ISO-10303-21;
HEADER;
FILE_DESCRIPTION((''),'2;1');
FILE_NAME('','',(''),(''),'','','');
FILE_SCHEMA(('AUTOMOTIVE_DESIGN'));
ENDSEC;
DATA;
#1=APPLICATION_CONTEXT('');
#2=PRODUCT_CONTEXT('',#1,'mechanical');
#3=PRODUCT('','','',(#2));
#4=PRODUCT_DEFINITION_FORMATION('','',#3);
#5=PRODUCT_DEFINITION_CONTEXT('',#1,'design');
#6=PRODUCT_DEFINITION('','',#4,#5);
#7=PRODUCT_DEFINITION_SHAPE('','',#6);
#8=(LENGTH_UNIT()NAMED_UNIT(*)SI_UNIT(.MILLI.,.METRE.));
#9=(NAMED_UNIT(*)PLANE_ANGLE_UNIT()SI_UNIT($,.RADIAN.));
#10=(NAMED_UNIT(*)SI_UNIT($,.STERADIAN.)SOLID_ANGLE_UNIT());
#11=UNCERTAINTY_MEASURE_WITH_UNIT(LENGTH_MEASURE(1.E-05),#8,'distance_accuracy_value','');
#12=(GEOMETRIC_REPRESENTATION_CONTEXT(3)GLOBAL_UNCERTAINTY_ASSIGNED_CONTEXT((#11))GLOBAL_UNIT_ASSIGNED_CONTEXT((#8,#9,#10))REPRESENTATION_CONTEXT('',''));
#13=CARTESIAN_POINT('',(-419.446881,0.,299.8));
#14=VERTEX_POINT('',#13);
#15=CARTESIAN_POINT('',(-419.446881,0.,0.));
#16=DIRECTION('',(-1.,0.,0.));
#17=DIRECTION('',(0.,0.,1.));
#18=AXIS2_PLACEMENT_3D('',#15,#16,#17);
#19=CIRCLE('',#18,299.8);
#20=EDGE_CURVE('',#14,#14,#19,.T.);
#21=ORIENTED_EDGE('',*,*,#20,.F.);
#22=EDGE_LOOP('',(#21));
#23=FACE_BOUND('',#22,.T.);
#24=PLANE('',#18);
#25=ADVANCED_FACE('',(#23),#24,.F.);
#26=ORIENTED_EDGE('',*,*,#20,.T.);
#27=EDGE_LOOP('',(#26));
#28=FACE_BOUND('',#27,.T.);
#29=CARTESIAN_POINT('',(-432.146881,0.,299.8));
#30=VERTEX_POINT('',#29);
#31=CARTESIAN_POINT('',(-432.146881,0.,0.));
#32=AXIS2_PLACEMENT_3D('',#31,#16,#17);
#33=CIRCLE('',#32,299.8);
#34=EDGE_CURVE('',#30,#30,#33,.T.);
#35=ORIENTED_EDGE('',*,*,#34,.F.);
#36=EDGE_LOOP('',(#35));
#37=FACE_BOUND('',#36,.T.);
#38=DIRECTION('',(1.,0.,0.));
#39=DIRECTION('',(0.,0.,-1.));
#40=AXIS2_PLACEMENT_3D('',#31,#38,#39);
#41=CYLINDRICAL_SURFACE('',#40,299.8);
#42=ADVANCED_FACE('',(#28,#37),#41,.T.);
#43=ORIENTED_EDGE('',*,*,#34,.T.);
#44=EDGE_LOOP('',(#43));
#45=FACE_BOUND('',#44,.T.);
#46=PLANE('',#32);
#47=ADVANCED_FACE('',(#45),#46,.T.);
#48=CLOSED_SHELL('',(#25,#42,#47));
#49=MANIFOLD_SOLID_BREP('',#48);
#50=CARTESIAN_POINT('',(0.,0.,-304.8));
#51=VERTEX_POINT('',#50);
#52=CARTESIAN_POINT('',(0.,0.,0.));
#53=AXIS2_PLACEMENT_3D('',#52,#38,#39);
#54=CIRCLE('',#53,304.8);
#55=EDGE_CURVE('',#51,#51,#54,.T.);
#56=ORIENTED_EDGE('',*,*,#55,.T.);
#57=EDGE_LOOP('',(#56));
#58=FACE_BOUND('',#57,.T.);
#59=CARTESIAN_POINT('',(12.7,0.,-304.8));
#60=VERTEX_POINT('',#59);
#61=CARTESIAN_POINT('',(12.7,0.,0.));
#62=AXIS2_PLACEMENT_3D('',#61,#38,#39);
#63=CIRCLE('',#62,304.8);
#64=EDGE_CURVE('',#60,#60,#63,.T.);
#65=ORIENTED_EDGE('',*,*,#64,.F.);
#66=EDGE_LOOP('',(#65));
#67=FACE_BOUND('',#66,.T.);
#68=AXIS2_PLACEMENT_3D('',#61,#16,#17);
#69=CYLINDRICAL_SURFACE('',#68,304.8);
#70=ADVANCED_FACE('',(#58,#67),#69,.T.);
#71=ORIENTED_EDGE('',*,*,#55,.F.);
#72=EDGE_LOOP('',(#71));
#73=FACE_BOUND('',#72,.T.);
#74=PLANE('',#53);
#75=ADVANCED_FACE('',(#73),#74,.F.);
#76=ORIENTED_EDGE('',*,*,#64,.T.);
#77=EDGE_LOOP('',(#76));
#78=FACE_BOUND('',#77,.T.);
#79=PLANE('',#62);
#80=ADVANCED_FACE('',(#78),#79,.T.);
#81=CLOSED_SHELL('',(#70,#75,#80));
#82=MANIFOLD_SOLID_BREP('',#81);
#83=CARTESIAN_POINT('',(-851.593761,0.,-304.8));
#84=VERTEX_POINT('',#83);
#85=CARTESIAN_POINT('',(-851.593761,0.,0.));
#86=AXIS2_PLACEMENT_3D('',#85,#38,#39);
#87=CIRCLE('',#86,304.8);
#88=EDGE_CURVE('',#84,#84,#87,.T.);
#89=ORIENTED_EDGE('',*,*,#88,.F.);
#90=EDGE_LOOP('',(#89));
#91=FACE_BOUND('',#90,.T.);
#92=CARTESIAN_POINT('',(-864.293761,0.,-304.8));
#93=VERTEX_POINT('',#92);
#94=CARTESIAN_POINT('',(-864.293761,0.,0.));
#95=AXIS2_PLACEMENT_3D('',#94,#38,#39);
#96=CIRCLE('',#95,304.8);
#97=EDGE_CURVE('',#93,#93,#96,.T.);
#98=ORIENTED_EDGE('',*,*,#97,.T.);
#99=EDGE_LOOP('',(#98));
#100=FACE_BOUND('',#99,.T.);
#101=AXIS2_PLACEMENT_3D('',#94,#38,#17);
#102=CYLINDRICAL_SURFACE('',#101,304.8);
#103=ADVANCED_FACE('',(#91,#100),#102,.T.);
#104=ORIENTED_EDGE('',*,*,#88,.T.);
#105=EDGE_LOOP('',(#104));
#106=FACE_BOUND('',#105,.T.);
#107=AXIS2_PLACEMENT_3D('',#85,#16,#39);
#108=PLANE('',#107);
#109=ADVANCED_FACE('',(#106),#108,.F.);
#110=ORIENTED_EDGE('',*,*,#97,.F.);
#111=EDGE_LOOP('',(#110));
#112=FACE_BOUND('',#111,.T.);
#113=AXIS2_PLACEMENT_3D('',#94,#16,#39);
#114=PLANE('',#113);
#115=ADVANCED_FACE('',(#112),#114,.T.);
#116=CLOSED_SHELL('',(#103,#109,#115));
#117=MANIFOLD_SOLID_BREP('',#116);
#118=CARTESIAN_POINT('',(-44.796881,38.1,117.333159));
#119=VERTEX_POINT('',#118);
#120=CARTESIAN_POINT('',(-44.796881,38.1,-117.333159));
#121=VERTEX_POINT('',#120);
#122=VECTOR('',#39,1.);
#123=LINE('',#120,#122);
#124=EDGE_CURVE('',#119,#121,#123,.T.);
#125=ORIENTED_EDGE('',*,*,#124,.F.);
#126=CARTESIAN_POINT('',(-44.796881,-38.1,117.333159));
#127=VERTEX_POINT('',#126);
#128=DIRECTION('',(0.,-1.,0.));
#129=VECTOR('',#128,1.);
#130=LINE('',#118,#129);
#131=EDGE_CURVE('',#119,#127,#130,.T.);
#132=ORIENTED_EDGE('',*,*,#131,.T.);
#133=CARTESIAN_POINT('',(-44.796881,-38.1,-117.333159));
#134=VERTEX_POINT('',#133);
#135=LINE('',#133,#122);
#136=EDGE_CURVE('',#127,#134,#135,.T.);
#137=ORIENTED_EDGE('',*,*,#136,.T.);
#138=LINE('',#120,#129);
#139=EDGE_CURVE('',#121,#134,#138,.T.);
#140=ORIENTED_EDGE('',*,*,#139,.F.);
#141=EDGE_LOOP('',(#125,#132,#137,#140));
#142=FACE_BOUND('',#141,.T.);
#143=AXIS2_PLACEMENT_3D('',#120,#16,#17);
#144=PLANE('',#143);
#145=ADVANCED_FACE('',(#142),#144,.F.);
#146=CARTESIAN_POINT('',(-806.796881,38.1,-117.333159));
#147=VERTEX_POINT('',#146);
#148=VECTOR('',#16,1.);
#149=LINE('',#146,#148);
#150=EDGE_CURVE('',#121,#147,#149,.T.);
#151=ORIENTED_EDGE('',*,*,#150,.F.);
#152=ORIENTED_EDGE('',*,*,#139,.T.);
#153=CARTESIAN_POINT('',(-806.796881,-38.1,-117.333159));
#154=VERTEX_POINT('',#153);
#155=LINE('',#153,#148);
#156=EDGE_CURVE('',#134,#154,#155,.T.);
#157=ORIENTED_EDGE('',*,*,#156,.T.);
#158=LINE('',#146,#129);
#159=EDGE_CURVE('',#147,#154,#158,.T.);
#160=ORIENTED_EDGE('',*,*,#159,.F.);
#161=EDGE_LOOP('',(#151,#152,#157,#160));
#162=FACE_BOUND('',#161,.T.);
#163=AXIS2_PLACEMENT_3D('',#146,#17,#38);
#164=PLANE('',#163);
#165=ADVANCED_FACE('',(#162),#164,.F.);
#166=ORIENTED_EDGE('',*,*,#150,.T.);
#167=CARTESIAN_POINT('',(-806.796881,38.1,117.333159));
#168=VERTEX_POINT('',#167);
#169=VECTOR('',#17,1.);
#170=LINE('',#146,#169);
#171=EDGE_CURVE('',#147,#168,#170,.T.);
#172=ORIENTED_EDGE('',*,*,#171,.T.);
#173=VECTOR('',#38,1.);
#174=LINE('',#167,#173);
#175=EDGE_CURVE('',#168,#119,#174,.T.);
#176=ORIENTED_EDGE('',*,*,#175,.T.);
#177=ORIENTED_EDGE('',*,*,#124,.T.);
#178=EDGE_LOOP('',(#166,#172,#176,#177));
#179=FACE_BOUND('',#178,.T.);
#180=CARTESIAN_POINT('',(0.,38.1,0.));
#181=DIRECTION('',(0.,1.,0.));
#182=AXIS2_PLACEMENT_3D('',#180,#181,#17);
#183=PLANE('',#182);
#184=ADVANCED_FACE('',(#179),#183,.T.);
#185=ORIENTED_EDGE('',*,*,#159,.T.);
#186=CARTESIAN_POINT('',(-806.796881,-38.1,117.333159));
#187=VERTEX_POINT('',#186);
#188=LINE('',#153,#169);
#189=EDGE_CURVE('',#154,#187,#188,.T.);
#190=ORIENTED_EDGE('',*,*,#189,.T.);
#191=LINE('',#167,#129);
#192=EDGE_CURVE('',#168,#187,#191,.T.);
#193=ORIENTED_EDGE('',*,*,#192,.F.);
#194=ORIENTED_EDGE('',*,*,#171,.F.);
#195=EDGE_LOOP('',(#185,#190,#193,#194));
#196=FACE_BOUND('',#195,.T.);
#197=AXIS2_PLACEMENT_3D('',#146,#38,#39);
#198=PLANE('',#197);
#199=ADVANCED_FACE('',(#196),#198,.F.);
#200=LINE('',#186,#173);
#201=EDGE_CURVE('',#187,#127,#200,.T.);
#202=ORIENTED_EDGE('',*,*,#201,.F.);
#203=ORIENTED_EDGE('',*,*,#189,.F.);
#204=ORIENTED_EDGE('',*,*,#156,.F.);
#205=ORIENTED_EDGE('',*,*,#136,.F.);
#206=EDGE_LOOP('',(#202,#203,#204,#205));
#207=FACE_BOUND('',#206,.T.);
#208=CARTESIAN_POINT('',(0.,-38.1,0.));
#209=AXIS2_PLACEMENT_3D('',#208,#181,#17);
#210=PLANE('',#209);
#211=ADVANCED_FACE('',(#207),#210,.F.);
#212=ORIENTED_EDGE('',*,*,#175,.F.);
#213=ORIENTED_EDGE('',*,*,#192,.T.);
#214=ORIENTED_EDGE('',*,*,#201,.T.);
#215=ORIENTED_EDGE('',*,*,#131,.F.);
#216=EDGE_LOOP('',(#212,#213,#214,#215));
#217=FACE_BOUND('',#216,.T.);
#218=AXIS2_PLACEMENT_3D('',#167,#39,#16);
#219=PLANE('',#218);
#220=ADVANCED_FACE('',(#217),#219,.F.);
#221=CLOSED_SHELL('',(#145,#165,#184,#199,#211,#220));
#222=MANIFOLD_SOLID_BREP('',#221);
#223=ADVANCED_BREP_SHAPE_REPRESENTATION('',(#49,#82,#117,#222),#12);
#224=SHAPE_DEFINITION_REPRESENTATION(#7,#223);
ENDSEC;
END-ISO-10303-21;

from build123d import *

# Parameters (mm, degrees)
SKETCH2_R           = 304.8
BOSS_EXTRUDE1_DEPTH = 12.7
SKETCH3_W           = 762
SKETCH3_H           = 234.666318372
BOSS_EXTRUDE2_DEPTH = 38.1
SKETCH4_R           = 299.8
BOSS_EXTRUDE3_DEPTH = 6.35


with BuildPart() as part:
    # Sketch2 → Boss-Extrude1 (new body)
    with BuildSketch(Plane(origin=(0, 0, 0), x_dir=(0, 0, -1), z_dir=(1, 0, 0))):
        Circle(SKETCH2_R)
    extrude(amount=BOSS_EXTRUDE1_DEPTH)


with BuildPart() as body_2:
    # Sketch3 → Boss-Extrude2 (new, symmetric)
    with BuildSketch(Plane(origin=(0, 0, 0), x_dir=(1, 0, 0), z_dir=(0, 1, 0))):
        with Locations((-425.796880592, 0)):
            Rectangle(SKETCH3_W, SKETCH3_H)
    extrude(amount=BOSS_EXTRUDE2_DEPTH, both=True)


with BuildPart() as body_3:
    # Sketch4 → Boss-Extrude3 (new, symmetric)
    with BuildSketch(Plane.ZY.offset(425.796880592)):
        Circle(SKETCH4_R)
    extrude(amount=BOSS_EXTRUDE3_DEPTH, both=True)


with BuildPart() as body_4:
    # Mirror1: mirrored copy
    add(part.part.mirror(Plane.ZY.offset(425.796880592)))


solid = Compound([part.part, body_2.part, body_3.part, body_4.part])
